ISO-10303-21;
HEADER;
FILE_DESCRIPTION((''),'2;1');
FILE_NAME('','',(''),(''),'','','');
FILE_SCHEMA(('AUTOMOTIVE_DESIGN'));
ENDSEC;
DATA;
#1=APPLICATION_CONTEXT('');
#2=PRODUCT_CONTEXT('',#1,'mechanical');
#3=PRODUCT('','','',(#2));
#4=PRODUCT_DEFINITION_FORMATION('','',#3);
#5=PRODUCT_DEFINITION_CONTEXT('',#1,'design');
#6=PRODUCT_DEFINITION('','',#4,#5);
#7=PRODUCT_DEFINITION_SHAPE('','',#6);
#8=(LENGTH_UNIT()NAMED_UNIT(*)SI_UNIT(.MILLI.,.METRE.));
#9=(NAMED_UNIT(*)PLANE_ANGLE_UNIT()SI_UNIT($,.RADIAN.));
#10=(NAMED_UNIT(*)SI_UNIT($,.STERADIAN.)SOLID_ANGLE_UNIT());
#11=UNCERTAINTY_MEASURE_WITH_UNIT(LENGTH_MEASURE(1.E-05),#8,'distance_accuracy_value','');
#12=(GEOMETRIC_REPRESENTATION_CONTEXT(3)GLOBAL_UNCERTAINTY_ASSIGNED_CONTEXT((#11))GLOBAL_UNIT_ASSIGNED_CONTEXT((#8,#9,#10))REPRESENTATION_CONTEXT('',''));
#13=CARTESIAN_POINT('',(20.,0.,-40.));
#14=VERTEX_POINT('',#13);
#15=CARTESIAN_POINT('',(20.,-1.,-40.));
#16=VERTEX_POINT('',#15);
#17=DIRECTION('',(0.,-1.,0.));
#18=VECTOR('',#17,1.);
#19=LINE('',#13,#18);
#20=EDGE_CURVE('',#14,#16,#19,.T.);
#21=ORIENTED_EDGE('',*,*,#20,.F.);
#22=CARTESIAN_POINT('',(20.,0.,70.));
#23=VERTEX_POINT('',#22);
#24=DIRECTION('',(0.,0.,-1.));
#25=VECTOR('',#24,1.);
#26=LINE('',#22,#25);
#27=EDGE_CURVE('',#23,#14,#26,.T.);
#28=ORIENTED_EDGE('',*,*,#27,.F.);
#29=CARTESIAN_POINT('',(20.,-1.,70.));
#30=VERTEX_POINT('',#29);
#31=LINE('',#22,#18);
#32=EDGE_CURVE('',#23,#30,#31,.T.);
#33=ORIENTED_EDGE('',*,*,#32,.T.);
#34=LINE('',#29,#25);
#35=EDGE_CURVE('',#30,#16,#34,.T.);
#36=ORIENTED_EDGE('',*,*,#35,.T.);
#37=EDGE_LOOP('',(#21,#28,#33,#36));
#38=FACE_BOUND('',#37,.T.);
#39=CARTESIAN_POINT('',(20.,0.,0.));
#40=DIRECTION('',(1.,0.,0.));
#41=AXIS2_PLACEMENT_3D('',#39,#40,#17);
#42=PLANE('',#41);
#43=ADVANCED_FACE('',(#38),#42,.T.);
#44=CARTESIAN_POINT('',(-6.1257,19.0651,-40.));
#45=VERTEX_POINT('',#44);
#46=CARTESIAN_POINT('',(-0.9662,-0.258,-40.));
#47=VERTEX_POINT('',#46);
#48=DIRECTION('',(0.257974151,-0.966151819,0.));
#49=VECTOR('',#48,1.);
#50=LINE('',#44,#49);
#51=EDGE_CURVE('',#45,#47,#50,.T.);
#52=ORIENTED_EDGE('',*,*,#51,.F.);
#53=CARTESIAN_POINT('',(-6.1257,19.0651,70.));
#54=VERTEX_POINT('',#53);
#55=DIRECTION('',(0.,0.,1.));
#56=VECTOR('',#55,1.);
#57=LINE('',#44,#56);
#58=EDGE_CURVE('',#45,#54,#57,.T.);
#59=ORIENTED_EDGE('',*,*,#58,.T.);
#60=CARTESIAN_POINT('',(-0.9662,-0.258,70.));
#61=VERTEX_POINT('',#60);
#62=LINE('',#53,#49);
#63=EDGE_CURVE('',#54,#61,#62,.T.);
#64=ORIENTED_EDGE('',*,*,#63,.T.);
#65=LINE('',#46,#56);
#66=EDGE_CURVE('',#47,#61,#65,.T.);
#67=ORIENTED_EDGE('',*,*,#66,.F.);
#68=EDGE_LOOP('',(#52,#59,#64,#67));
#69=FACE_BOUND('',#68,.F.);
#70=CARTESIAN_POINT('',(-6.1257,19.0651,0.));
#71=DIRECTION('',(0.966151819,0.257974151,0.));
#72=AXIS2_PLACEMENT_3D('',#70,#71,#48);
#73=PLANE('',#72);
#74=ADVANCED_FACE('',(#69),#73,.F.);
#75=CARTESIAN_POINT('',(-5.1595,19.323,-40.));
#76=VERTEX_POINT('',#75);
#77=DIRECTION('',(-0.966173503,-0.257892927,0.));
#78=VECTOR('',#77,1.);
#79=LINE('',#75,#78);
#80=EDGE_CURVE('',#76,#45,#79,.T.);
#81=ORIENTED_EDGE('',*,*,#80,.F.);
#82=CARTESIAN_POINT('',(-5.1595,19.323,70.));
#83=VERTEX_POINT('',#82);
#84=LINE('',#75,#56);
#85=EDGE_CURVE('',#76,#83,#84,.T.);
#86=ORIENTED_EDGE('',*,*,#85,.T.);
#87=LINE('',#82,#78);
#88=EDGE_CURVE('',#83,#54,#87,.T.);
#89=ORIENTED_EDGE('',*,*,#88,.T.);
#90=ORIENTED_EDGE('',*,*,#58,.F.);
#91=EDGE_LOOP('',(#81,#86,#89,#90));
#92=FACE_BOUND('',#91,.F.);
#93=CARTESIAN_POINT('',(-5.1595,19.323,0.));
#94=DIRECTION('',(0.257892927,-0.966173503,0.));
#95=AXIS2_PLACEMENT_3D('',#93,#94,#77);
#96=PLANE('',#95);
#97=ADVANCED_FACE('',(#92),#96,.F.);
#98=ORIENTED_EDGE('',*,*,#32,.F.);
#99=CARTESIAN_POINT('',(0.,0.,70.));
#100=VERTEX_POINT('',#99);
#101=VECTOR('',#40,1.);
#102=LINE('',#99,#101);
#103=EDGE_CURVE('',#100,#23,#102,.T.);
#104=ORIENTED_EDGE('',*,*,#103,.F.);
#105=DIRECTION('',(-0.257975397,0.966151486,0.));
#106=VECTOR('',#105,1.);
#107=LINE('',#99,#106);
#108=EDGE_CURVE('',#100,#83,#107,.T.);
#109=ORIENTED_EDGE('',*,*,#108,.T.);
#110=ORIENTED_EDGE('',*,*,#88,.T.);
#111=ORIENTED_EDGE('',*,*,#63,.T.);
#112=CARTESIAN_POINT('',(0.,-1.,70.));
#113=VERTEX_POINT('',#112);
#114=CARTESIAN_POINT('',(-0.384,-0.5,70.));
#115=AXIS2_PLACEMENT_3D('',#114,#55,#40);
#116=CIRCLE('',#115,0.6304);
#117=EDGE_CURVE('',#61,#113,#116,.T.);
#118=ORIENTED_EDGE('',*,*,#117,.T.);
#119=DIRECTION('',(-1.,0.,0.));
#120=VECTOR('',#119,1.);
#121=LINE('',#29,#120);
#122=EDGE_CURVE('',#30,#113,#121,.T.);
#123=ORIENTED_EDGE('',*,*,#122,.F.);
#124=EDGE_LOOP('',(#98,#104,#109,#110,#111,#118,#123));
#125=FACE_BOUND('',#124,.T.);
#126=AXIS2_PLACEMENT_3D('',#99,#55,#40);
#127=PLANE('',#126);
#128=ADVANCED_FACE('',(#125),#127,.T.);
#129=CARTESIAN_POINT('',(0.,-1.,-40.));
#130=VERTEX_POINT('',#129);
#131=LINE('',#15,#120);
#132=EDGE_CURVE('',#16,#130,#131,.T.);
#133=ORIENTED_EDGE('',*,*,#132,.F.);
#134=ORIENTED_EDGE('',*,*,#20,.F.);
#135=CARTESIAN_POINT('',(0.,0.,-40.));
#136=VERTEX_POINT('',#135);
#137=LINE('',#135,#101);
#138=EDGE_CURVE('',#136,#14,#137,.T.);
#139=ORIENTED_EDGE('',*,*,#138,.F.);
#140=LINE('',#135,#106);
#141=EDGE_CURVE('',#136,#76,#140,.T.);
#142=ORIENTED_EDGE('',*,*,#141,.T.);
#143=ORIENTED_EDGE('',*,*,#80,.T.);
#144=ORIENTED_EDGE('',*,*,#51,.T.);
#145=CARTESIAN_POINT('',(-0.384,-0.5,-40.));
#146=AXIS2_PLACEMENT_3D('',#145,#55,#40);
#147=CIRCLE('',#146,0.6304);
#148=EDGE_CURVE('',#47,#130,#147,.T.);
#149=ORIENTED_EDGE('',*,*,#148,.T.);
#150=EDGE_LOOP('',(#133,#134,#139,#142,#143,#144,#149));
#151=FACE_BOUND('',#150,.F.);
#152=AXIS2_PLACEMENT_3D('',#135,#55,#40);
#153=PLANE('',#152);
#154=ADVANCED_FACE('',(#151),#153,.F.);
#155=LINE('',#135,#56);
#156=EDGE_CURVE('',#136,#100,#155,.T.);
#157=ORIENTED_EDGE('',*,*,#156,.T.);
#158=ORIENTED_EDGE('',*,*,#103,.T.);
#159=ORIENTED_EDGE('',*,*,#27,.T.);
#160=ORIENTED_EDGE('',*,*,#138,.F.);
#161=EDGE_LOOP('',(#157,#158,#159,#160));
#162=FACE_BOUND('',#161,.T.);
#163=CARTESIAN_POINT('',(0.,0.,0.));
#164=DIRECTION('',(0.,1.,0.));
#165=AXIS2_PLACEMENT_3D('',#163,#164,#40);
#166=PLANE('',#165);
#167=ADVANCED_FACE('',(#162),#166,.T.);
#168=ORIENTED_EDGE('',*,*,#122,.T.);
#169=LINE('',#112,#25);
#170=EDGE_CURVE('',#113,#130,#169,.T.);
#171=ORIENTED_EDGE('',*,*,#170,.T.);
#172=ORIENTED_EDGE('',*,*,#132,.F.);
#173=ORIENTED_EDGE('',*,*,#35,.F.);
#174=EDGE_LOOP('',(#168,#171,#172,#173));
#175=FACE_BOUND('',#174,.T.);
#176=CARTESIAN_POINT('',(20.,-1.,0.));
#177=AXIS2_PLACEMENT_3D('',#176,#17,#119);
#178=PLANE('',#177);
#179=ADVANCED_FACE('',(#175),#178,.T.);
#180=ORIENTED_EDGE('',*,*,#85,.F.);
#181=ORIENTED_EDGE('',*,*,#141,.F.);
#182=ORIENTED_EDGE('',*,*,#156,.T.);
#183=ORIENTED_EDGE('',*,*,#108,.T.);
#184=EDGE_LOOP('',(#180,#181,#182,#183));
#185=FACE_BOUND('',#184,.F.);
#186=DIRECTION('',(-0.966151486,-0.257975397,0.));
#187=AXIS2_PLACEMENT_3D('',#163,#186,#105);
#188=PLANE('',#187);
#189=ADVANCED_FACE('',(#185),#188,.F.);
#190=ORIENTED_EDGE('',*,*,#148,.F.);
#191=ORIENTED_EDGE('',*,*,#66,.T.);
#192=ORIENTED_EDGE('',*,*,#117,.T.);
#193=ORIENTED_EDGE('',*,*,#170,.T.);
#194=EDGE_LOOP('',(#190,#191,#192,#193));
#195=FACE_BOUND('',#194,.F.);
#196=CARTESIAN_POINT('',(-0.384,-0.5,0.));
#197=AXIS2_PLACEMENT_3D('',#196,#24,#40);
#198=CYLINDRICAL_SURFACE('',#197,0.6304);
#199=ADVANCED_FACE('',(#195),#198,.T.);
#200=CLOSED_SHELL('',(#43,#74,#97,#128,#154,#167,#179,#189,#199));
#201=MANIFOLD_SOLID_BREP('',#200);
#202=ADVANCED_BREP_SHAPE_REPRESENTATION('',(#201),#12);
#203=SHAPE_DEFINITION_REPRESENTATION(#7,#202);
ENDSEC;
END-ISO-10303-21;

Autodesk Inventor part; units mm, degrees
ref_plane "YZ Plane" through (0, 0, 0) normal (1, 0, 0) x (0, 1, 0)
ref_plane "XZ Plane" through (0, 0, 0) normal (0, 1, 0) x (-1, 0, 0)
ref_plane "XY Plane" through (0, 0, 0) normal (0, 0, 1) x (1, 0, 0)
sketch "Sketch1" plane through (0, 0, 0) normal (0, 0, 1) x (1, 0, 0)
  line L0 (0, 0) -> (20, 0)
  line L1 (20, 0) -> (20, -1)
  line L2 (20, -1) -> (0, -1)
  line L3 (0, -1) -> (0, 0)
  line L4 (0, 0) -> (-5.1595, 19.323)
  line L5 (-5.1595, 19.323) -> (-6.1257, 19.0651)
  line L6 (-6.1257, 19.0651) -> (-0.9662, -0.258)
  line L7 (-0.9662, -0.258) -> (0, 0)
  circle A0 centre (-0.384, -0.5) radius 0.6304
  dimension "d0" = 20
  dimension "d1" = 1
  dimension "d2" = 104.95
extrude "Extrusion1" add sketch "Sketch1" along normal blind 70 and the other way blind 40
properties part number "scharnierband" material "Brass, Soft Yellow, Welded"
